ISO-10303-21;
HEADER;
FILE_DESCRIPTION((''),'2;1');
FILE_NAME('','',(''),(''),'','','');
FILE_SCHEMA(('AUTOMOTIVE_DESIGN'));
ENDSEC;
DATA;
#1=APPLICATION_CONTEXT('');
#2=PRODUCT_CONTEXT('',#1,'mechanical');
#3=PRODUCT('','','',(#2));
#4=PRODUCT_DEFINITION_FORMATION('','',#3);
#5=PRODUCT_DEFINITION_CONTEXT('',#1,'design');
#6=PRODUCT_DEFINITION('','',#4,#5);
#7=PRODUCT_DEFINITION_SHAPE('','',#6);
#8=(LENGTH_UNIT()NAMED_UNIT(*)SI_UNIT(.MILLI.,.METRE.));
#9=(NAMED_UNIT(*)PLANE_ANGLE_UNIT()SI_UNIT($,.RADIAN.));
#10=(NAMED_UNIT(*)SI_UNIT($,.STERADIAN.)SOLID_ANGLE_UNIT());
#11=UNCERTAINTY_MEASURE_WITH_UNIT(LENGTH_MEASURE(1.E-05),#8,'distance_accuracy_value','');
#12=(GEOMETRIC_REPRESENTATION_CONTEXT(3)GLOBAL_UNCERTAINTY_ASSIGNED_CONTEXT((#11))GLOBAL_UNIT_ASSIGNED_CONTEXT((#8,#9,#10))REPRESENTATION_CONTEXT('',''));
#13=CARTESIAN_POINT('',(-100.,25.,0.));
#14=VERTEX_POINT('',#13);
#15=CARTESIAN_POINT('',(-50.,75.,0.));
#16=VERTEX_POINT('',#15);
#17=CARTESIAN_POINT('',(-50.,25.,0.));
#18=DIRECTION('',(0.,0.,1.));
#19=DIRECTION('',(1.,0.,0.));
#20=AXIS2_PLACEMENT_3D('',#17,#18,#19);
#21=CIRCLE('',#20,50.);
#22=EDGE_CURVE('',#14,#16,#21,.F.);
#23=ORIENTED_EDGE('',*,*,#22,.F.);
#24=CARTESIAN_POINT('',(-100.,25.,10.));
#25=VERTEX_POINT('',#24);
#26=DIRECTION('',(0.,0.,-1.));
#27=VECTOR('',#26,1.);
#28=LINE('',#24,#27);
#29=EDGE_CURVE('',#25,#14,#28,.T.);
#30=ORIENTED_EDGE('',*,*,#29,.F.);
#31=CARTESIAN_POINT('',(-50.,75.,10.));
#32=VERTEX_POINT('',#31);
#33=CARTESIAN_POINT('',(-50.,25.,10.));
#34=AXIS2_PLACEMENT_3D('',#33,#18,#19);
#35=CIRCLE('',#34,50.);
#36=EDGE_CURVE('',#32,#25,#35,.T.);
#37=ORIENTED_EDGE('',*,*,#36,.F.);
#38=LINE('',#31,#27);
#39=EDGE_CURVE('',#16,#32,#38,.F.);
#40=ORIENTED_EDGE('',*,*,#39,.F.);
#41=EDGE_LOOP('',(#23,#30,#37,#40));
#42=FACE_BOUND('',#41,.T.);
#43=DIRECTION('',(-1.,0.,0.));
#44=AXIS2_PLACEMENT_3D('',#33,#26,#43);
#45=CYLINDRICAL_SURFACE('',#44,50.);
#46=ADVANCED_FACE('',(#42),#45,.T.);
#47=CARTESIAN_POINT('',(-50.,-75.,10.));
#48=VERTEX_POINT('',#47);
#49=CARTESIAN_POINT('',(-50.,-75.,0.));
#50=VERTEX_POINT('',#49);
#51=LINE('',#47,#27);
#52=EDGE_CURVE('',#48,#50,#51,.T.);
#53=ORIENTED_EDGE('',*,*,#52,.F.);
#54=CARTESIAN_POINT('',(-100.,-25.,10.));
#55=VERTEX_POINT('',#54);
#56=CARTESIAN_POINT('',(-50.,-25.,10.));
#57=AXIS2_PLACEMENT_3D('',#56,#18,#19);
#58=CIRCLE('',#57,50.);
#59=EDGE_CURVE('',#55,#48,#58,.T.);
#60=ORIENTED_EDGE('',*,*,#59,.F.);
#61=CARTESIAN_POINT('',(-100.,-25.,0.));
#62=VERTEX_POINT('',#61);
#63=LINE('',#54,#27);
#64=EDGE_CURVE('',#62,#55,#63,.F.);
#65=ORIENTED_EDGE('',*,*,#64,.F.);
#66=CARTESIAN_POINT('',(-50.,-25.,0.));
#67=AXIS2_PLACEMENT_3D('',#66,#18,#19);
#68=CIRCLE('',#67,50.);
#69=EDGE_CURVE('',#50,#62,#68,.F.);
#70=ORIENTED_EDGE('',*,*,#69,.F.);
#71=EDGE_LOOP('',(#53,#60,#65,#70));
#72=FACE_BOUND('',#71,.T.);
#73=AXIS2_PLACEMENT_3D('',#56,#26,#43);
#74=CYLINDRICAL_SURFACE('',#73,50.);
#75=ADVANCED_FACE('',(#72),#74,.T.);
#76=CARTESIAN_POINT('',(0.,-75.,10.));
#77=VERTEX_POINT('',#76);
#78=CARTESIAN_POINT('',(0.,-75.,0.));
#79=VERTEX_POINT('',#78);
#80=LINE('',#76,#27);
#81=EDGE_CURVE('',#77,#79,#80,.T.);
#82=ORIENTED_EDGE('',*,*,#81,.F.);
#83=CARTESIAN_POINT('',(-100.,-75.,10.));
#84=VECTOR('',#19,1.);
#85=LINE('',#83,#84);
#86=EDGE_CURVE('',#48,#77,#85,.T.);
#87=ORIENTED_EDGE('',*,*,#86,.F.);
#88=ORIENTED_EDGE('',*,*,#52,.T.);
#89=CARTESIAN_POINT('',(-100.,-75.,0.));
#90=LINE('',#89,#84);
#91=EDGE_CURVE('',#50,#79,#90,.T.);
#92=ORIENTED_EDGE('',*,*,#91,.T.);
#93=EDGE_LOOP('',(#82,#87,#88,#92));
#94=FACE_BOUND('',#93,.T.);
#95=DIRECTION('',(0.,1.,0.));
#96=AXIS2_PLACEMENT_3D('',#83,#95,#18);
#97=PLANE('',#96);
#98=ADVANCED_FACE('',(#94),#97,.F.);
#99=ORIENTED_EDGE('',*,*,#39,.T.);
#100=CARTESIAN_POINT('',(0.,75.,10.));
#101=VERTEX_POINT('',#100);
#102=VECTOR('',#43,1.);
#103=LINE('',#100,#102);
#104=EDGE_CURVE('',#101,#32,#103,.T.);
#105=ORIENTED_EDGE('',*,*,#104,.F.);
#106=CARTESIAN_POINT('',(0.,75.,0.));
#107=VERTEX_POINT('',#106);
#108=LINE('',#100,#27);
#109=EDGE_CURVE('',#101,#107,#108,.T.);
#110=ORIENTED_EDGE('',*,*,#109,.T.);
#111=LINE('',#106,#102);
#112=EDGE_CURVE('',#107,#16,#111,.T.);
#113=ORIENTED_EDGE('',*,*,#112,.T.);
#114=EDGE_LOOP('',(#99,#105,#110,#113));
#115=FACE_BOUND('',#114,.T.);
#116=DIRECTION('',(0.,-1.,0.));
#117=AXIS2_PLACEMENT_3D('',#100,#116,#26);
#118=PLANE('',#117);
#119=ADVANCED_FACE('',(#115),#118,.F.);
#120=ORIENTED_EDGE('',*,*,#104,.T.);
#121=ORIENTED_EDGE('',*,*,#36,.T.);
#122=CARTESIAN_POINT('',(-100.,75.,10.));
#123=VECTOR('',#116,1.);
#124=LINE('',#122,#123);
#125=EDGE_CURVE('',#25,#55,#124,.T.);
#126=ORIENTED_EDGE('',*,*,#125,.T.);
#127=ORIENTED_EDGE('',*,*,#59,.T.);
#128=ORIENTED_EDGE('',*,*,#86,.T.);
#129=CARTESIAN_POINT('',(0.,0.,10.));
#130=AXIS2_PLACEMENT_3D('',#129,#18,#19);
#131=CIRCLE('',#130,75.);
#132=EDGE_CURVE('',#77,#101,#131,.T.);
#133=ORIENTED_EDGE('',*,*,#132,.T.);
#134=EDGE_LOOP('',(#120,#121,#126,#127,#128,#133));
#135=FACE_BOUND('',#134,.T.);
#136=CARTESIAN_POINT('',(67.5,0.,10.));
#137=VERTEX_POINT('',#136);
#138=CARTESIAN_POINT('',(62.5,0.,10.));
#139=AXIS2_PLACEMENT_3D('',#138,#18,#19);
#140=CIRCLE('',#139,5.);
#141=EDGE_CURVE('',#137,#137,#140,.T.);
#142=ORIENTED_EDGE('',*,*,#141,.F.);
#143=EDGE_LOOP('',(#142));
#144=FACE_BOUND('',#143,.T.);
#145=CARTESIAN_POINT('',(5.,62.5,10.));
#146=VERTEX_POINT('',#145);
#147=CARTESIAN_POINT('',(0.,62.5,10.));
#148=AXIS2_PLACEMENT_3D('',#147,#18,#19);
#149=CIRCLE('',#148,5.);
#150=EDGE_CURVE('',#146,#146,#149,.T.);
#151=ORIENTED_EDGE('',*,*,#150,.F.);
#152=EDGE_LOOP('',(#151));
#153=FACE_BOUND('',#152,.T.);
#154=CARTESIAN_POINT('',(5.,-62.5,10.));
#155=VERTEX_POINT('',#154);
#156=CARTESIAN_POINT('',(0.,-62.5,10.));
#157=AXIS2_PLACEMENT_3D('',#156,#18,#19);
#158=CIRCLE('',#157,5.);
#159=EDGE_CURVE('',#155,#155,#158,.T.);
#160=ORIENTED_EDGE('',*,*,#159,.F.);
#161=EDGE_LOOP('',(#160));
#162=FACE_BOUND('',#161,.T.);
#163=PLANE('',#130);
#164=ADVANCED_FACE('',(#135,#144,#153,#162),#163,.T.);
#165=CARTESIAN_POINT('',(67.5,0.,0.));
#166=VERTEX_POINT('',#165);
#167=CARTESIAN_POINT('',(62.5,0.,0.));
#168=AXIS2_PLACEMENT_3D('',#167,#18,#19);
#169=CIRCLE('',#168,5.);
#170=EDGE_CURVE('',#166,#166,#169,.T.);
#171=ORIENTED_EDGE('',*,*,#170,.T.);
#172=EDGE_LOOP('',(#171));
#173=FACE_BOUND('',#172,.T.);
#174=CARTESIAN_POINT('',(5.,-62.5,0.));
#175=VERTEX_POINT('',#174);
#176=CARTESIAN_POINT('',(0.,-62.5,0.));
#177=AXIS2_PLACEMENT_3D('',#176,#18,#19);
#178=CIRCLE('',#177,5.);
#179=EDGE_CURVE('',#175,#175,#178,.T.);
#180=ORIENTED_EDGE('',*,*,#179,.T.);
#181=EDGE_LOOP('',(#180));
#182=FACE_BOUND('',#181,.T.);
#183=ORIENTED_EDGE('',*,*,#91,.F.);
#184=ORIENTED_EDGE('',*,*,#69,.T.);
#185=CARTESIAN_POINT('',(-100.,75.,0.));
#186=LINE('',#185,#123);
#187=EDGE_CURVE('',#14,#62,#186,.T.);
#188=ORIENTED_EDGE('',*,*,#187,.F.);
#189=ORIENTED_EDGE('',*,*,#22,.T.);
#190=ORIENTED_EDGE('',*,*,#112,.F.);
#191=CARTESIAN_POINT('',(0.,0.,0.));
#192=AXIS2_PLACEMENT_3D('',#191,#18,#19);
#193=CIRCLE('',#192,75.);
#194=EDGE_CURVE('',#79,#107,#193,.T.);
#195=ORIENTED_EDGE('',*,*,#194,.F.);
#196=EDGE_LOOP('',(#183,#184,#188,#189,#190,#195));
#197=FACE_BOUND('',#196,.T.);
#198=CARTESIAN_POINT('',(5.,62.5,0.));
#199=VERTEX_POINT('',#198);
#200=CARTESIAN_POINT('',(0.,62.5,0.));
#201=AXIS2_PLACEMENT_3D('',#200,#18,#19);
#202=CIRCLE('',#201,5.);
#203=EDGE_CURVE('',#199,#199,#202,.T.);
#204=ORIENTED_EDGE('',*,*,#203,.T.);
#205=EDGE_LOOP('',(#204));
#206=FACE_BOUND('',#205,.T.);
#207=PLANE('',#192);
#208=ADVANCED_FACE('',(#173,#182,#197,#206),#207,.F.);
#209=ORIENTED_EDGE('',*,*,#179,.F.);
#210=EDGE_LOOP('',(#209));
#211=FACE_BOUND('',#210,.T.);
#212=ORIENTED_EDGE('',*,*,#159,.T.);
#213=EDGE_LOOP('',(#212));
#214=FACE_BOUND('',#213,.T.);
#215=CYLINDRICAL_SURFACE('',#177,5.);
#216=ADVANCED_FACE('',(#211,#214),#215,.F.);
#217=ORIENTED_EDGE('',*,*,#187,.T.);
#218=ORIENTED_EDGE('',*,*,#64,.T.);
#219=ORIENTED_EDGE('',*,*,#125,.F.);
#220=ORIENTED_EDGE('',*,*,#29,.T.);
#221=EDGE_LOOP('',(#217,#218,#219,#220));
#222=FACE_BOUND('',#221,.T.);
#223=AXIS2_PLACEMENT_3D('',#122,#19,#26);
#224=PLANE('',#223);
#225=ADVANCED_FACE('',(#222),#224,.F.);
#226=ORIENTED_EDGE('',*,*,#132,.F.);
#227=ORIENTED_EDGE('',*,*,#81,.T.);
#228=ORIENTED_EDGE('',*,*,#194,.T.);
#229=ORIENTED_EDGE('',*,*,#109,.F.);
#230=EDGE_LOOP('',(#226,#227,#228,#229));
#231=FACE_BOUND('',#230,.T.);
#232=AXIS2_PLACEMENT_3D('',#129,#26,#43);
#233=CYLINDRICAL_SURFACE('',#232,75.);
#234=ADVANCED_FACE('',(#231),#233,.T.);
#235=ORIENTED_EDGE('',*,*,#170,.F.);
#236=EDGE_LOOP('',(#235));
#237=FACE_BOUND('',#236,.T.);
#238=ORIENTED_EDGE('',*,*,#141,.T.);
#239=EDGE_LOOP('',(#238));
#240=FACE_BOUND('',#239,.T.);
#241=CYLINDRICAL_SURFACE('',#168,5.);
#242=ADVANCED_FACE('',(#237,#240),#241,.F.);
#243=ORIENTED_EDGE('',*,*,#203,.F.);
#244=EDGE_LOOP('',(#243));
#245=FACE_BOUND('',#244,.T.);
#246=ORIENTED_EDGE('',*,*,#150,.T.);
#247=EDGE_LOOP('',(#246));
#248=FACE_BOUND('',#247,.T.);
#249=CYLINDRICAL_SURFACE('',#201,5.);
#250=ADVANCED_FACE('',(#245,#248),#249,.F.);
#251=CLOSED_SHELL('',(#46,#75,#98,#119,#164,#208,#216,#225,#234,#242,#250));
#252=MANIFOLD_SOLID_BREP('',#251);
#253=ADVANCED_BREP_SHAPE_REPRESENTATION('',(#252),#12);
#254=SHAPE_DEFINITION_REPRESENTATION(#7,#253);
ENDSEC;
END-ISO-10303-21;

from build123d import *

# Parameters (mm, degrees)
BOSS_EXTRUDE1_DEPTH = 10
SKETCH2_R           = 5
CUT_EXTRUDE1_DEPTH  = 10
FILLET1_R           = 50


with BuildPart() as part:
    # Sketch1 → Boss-Extrude1 (new body)
    with BuildSketch(Plane.XY):
        with BuildLine():
            Line((0, 75), (-100, 75))
            Line((-100, 75), (-100, -75))
            Line((-100, -75), (0, -75))
            ThreePointArc((0, -75), (75, 0), (0, 75))
        make_face()
    extrude(amount=BOSS_EXTRUDE1_DEPTH)

    # Sketch2 → Cut-Extrude1 (cut)
    with BuildSketch(Plane.XY.offset(10)):
        with Locations((0, 62.5)):
            Circle(SKETCH2_R)
        with Locations((62.5, 0)):
            Circle(SKETCH2_R)
        with Locations((0, -62.5)):
            Circle(SKETCH2_R)
    extrude(amount=-CUT_EXTRUDE1_DEPTH, mode=Mode.SUBTRACT)

    # Fillet1
    fillet1_edges = [part.edges().sort_by_distance(p)[0] for p in [
        (-100, -75, 5),
        (-100, 75, 5),
    ]]
    fillet(fillet1_edges, radius=FILLET1_R)


solid = part.part
